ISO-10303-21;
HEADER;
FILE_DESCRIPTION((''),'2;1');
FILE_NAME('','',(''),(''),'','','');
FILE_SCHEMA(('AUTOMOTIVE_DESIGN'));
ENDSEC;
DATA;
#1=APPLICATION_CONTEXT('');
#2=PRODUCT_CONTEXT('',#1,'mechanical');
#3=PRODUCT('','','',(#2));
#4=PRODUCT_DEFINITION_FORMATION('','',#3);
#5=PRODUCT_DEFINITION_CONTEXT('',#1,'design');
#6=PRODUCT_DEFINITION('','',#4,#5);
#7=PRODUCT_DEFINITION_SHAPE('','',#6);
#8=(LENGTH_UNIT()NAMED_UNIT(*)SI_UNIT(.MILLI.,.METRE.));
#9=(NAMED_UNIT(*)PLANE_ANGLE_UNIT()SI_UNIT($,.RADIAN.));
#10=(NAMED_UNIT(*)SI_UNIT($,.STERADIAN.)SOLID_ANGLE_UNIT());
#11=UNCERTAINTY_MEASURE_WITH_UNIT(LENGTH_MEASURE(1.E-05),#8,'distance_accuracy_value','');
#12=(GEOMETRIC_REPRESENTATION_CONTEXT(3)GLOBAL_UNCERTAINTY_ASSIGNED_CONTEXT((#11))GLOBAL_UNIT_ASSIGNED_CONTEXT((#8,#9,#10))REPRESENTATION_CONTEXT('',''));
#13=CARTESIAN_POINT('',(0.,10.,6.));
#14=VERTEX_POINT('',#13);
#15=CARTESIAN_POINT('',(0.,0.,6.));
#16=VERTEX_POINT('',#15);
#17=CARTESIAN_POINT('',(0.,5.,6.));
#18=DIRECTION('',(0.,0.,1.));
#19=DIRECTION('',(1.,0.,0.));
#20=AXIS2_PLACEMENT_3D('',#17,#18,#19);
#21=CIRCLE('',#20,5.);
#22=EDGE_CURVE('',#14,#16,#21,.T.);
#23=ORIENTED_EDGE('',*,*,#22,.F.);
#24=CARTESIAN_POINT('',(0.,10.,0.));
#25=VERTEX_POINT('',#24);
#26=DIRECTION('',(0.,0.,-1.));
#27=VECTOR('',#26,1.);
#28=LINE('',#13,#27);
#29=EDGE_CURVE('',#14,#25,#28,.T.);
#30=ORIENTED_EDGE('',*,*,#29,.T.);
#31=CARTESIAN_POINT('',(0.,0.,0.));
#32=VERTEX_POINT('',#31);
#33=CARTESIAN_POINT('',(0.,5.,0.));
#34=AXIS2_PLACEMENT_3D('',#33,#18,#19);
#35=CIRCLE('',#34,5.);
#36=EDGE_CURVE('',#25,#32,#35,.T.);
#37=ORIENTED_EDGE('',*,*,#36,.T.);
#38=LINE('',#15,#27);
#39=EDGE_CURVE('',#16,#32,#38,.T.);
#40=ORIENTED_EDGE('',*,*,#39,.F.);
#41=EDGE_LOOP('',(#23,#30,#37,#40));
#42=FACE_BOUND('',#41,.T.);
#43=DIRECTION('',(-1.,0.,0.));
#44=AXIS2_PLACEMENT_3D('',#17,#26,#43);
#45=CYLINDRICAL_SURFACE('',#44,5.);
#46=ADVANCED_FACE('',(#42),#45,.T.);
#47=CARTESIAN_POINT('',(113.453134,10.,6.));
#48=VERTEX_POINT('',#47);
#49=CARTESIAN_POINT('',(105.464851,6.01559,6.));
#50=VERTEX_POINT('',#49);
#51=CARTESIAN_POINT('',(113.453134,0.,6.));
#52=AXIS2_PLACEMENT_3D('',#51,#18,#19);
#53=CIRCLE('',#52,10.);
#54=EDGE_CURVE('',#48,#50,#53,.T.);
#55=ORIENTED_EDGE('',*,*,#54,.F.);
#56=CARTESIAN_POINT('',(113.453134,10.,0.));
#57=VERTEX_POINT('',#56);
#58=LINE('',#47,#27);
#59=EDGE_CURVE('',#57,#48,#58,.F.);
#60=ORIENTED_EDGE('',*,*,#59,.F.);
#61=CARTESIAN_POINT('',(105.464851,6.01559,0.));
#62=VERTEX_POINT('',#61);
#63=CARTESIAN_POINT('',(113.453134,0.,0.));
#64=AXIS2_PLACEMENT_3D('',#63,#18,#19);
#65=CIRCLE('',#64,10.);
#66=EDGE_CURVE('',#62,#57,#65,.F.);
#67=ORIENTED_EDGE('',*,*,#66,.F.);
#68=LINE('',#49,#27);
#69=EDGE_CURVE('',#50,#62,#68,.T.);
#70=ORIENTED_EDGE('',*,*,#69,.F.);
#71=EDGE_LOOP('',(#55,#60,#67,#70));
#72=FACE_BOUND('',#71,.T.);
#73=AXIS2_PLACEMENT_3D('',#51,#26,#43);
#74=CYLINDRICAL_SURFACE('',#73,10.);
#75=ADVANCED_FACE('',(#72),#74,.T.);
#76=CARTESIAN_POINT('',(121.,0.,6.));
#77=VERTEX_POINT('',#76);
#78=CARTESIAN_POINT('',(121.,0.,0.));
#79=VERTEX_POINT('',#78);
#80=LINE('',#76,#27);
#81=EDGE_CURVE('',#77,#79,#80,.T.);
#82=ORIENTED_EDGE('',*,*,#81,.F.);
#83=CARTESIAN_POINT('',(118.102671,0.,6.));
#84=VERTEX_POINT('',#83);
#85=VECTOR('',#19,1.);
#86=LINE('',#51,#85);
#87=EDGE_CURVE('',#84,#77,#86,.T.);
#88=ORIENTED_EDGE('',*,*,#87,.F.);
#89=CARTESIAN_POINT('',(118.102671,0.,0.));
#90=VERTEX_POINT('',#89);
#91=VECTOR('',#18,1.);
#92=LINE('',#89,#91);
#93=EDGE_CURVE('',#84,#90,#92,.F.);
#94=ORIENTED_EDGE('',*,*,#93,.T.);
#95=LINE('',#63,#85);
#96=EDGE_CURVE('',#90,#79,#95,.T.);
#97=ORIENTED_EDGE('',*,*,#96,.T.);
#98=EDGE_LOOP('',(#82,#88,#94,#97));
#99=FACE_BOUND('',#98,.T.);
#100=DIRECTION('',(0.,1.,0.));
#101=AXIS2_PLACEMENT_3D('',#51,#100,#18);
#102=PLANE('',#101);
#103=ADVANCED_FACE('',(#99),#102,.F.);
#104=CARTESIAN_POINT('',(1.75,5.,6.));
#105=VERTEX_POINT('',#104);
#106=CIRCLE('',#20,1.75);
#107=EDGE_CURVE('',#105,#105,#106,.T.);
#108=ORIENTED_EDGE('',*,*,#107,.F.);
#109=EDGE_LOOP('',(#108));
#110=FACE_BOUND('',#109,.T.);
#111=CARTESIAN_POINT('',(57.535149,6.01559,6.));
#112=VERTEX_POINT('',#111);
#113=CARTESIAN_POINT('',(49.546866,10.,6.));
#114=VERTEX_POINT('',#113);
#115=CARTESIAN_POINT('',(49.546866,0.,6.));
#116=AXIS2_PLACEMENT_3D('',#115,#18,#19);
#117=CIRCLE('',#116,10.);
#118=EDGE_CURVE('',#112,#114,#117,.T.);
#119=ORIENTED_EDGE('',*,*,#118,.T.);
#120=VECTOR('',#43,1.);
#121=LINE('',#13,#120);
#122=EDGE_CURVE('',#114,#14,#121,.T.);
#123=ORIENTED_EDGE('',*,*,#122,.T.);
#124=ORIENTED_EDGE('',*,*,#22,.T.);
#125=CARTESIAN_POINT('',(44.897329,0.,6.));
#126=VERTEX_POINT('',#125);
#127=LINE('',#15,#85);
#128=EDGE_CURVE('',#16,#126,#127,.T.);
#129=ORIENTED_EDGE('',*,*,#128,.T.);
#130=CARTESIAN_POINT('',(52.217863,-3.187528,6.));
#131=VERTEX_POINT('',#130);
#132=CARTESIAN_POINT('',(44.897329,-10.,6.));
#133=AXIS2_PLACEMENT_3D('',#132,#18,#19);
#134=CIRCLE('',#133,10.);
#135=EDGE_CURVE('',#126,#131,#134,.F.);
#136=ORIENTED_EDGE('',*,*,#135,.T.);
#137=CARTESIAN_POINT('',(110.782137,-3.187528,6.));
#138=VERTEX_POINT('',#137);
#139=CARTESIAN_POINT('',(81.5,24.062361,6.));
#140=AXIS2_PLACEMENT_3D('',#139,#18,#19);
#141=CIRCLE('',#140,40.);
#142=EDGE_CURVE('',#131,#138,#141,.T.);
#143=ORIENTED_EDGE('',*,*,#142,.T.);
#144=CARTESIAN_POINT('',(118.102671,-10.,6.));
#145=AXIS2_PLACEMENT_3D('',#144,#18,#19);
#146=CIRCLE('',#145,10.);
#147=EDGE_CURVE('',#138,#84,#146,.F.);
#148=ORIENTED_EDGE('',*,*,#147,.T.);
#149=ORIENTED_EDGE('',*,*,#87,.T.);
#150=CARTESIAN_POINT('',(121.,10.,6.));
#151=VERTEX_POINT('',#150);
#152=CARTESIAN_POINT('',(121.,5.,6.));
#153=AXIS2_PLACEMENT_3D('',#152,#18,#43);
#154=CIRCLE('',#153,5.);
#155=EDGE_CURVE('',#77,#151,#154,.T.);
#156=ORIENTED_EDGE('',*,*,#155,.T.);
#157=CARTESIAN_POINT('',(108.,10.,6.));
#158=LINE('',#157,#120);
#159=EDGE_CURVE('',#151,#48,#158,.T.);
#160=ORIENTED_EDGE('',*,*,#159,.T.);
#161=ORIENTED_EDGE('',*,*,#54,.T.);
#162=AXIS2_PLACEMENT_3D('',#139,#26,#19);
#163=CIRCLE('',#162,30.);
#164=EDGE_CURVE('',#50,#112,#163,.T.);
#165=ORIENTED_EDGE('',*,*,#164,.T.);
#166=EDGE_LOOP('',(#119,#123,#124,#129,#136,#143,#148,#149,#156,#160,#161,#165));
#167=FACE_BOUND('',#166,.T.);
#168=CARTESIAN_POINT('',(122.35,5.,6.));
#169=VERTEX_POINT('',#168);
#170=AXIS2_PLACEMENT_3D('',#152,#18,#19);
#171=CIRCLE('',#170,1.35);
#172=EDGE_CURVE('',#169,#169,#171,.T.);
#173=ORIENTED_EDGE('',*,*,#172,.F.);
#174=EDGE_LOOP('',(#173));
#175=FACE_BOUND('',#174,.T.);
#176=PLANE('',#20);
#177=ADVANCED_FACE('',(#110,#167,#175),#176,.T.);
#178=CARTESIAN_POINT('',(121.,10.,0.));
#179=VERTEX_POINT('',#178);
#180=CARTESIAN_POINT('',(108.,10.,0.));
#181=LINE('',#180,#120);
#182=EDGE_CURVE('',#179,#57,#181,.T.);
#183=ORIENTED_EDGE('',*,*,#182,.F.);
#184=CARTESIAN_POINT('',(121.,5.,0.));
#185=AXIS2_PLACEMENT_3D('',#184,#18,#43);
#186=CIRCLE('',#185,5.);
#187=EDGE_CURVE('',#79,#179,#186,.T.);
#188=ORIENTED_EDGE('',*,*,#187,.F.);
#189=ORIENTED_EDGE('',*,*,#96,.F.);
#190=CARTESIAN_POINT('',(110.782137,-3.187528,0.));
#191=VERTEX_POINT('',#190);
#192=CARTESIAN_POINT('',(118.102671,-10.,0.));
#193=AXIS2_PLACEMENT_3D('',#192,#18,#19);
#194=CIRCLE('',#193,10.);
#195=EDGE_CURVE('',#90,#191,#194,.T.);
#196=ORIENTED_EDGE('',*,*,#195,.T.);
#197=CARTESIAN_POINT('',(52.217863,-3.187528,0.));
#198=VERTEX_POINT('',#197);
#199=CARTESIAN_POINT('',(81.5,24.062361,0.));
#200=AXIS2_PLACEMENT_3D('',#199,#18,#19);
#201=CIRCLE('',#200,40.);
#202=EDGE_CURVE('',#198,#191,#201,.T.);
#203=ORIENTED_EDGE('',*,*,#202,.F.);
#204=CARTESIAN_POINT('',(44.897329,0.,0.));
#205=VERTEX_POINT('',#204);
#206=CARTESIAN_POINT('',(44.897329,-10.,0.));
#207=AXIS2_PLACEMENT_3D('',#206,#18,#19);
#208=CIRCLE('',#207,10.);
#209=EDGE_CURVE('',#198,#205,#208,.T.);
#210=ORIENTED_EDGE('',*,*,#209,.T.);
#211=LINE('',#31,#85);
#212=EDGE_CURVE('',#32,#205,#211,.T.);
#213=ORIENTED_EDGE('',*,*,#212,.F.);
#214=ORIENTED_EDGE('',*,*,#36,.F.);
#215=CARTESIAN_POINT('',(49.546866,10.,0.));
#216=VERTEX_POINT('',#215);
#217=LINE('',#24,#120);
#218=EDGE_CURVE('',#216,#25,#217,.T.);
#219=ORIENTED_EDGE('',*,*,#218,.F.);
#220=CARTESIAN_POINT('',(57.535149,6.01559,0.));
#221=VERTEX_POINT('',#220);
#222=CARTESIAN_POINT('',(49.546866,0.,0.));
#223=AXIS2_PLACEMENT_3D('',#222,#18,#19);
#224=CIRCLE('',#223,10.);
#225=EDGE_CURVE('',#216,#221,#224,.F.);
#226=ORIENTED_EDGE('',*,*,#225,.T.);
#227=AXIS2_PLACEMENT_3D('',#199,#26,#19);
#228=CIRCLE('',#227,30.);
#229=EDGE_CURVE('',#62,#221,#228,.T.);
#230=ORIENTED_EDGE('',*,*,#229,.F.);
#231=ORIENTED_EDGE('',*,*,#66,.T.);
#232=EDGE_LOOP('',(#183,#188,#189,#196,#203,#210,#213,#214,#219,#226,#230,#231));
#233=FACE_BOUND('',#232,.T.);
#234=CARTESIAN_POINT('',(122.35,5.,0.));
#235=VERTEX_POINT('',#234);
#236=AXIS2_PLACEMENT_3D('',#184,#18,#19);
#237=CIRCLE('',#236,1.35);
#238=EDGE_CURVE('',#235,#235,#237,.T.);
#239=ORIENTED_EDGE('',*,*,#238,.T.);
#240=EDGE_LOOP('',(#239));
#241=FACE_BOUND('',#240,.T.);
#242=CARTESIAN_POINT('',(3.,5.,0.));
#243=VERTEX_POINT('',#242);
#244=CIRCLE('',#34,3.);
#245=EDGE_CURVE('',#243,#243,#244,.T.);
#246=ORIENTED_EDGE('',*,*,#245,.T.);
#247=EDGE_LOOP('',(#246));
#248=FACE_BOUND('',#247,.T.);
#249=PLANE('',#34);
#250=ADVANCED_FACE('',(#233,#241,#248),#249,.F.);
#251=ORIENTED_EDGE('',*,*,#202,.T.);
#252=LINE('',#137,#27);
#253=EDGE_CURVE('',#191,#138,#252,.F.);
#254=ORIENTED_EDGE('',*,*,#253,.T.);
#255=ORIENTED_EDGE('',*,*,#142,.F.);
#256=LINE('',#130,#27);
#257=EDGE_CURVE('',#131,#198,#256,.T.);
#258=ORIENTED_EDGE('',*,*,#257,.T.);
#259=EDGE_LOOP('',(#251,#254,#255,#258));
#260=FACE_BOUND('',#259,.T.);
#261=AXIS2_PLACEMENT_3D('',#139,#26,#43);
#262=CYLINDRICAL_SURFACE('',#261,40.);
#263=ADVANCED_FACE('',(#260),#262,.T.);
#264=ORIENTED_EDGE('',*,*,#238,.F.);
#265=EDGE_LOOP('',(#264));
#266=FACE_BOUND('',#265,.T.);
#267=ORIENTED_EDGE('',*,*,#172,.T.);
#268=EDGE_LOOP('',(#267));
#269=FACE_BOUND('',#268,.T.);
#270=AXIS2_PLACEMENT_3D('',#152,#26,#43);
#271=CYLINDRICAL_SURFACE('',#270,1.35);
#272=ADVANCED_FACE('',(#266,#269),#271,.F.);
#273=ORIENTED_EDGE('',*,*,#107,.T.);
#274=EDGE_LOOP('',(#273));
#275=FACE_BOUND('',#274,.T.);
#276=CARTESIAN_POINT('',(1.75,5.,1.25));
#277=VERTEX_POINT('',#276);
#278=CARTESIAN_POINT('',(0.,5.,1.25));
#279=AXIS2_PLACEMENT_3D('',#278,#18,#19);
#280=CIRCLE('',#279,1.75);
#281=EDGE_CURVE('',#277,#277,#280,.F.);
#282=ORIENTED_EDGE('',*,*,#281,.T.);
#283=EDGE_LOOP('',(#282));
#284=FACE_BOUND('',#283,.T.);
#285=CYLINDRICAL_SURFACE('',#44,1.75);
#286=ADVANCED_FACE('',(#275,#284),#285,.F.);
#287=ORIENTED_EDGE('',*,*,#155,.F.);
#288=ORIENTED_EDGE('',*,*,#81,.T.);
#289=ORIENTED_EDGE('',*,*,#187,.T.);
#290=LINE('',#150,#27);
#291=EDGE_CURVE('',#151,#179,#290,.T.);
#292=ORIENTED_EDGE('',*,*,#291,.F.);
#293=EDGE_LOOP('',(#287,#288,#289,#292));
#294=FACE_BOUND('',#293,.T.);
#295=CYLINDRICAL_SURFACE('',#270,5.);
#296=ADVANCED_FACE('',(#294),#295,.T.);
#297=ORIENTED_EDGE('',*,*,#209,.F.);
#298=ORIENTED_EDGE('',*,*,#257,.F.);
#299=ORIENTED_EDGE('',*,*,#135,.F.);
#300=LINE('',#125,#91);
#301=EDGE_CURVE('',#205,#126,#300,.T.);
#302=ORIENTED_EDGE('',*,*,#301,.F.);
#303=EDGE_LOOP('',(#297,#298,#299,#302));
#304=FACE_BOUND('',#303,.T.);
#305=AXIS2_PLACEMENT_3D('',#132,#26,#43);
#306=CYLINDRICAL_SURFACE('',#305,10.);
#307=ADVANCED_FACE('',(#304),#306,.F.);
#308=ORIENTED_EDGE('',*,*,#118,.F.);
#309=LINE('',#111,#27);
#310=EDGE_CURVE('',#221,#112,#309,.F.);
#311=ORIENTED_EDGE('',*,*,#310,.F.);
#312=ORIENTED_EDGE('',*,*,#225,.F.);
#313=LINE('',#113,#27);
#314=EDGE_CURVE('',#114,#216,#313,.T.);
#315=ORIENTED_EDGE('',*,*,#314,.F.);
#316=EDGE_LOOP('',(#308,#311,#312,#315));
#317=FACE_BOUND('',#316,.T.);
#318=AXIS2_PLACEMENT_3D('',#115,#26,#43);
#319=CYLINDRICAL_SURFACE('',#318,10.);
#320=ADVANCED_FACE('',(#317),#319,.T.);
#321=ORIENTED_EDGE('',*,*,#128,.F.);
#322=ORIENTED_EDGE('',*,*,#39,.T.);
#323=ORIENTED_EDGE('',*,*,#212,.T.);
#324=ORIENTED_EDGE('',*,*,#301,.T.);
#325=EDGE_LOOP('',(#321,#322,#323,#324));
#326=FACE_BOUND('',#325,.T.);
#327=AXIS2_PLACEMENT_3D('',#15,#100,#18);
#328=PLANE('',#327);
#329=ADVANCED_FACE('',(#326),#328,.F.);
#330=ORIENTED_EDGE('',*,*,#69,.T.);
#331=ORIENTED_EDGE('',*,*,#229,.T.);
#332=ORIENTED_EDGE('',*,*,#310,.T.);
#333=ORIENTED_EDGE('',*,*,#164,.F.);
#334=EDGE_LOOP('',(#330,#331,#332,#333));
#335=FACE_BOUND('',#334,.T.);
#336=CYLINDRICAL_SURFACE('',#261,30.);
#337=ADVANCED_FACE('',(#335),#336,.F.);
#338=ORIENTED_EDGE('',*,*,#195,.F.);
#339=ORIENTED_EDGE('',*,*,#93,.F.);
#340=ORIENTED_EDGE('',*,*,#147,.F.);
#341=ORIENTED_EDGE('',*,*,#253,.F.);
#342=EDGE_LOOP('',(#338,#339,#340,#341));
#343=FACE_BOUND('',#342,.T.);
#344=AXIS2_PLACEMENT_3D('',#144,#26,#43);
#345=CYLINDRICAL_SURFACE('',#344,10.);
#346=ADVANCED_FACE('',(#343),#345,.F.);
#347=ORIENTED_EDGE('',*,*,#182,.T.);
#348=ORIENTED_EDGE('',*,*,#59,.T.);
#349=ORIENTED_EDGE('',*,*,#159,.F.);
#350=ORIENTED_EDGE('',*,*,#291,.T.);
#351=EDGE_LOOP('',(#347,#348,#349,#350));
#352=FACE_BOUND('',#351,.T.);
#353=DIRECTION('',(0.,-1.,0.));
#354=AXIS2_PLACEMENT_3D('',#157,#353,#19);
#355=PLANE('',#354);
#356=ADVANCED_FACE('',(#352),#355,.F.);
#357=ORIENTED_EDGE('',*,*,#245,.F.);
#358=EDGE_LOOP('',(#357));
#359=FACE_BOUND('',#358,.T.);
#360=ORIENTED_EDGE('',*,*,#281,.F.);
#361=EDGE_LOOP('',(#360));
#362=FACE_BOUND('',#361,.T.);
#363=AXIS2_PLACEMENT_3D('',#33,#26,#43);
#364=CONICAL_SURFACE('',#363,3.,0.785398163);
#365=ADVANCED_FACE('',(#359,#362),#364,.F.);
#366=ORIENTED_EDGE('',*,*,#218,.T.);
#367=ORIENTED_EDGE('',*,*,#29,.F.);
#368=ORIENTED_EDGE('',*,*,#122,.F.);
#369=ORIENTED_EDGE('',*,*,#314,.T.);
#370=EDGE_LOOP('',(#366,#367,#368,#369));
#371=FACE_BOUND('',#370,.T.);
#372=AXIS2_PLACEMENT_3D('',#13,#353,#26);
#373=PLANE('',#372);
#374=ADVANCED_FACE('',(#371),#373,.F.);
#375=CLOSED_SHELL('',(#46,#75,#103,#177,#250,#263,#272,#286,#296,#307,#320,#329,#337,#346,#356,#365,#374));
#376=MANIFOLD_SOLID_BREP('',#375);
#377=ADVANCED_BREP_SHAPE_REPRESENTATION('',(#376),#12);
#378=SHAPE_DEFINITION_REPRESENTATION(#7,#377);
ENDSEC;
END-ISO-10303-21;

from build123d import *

# Parameters (mm, degrees)
ESQUISSE1_R        = 1.75
ESQUISSE1_R_2      = 1.35
BOSS_EXTRU_1_DEPTH = 6
CHANFREIN1_SIZE    = 1.25
CONG_1_R           = 10


with BuildPart() as part:
    # Esquisse1 → Boss.-Extru.1 (new body)
    with BuildSketch(Plane.XY):
        with BuildLine():
            Line((113.453134084, 0), (121, 0))
            ThreePointArc((121, 0), (126, 5), (121, 10))
            Line((121, 10), (108, 10))
            ThreePointArc((108, 10), (81.5, -5.93763889), (55, 10))
            Line((55, 10), (0, 10))
            ThreePointArc((0, 10), (-5, 5), (0, 0))
            Line((0, 0), (49.546865916, 0))
            ThreePointArc((49.546865916, 0), (81.5, -15.93763889), (113.453134084, 0))
        make_face()
        with Locations((0, 5)):
            Circle(ESQUISSE1_R, mode=Mode.SUBTRACT)
        with Locations((121, 5)):
            Circle(ESQUISSE1_R_2, mode=Mode.SUBTRACT)
    extrude(amount=BOSS_EXTRU_1_DEPTH)

    # Chanfrein1
    chanfrein1_edges = [part.edges().sort_by_distance(p)[0] for p in [
        (-1.75, 5, 0),
    ]]
    chamfer(chanfrein1_edges, length=CHANFREIN1_SIZE)

    # Congé1
    cong_1_edges = [part.edges().sort_by_distance(p)[0] for p in [
        (55, 10, 3),
        (108, 10, 3),
        (113.453134084, 0, 3),
        (49.546865916, 0, 3),
    ]]
    fillet(cong_1_edges, radius=CONG_1_R)


solid = part.part
